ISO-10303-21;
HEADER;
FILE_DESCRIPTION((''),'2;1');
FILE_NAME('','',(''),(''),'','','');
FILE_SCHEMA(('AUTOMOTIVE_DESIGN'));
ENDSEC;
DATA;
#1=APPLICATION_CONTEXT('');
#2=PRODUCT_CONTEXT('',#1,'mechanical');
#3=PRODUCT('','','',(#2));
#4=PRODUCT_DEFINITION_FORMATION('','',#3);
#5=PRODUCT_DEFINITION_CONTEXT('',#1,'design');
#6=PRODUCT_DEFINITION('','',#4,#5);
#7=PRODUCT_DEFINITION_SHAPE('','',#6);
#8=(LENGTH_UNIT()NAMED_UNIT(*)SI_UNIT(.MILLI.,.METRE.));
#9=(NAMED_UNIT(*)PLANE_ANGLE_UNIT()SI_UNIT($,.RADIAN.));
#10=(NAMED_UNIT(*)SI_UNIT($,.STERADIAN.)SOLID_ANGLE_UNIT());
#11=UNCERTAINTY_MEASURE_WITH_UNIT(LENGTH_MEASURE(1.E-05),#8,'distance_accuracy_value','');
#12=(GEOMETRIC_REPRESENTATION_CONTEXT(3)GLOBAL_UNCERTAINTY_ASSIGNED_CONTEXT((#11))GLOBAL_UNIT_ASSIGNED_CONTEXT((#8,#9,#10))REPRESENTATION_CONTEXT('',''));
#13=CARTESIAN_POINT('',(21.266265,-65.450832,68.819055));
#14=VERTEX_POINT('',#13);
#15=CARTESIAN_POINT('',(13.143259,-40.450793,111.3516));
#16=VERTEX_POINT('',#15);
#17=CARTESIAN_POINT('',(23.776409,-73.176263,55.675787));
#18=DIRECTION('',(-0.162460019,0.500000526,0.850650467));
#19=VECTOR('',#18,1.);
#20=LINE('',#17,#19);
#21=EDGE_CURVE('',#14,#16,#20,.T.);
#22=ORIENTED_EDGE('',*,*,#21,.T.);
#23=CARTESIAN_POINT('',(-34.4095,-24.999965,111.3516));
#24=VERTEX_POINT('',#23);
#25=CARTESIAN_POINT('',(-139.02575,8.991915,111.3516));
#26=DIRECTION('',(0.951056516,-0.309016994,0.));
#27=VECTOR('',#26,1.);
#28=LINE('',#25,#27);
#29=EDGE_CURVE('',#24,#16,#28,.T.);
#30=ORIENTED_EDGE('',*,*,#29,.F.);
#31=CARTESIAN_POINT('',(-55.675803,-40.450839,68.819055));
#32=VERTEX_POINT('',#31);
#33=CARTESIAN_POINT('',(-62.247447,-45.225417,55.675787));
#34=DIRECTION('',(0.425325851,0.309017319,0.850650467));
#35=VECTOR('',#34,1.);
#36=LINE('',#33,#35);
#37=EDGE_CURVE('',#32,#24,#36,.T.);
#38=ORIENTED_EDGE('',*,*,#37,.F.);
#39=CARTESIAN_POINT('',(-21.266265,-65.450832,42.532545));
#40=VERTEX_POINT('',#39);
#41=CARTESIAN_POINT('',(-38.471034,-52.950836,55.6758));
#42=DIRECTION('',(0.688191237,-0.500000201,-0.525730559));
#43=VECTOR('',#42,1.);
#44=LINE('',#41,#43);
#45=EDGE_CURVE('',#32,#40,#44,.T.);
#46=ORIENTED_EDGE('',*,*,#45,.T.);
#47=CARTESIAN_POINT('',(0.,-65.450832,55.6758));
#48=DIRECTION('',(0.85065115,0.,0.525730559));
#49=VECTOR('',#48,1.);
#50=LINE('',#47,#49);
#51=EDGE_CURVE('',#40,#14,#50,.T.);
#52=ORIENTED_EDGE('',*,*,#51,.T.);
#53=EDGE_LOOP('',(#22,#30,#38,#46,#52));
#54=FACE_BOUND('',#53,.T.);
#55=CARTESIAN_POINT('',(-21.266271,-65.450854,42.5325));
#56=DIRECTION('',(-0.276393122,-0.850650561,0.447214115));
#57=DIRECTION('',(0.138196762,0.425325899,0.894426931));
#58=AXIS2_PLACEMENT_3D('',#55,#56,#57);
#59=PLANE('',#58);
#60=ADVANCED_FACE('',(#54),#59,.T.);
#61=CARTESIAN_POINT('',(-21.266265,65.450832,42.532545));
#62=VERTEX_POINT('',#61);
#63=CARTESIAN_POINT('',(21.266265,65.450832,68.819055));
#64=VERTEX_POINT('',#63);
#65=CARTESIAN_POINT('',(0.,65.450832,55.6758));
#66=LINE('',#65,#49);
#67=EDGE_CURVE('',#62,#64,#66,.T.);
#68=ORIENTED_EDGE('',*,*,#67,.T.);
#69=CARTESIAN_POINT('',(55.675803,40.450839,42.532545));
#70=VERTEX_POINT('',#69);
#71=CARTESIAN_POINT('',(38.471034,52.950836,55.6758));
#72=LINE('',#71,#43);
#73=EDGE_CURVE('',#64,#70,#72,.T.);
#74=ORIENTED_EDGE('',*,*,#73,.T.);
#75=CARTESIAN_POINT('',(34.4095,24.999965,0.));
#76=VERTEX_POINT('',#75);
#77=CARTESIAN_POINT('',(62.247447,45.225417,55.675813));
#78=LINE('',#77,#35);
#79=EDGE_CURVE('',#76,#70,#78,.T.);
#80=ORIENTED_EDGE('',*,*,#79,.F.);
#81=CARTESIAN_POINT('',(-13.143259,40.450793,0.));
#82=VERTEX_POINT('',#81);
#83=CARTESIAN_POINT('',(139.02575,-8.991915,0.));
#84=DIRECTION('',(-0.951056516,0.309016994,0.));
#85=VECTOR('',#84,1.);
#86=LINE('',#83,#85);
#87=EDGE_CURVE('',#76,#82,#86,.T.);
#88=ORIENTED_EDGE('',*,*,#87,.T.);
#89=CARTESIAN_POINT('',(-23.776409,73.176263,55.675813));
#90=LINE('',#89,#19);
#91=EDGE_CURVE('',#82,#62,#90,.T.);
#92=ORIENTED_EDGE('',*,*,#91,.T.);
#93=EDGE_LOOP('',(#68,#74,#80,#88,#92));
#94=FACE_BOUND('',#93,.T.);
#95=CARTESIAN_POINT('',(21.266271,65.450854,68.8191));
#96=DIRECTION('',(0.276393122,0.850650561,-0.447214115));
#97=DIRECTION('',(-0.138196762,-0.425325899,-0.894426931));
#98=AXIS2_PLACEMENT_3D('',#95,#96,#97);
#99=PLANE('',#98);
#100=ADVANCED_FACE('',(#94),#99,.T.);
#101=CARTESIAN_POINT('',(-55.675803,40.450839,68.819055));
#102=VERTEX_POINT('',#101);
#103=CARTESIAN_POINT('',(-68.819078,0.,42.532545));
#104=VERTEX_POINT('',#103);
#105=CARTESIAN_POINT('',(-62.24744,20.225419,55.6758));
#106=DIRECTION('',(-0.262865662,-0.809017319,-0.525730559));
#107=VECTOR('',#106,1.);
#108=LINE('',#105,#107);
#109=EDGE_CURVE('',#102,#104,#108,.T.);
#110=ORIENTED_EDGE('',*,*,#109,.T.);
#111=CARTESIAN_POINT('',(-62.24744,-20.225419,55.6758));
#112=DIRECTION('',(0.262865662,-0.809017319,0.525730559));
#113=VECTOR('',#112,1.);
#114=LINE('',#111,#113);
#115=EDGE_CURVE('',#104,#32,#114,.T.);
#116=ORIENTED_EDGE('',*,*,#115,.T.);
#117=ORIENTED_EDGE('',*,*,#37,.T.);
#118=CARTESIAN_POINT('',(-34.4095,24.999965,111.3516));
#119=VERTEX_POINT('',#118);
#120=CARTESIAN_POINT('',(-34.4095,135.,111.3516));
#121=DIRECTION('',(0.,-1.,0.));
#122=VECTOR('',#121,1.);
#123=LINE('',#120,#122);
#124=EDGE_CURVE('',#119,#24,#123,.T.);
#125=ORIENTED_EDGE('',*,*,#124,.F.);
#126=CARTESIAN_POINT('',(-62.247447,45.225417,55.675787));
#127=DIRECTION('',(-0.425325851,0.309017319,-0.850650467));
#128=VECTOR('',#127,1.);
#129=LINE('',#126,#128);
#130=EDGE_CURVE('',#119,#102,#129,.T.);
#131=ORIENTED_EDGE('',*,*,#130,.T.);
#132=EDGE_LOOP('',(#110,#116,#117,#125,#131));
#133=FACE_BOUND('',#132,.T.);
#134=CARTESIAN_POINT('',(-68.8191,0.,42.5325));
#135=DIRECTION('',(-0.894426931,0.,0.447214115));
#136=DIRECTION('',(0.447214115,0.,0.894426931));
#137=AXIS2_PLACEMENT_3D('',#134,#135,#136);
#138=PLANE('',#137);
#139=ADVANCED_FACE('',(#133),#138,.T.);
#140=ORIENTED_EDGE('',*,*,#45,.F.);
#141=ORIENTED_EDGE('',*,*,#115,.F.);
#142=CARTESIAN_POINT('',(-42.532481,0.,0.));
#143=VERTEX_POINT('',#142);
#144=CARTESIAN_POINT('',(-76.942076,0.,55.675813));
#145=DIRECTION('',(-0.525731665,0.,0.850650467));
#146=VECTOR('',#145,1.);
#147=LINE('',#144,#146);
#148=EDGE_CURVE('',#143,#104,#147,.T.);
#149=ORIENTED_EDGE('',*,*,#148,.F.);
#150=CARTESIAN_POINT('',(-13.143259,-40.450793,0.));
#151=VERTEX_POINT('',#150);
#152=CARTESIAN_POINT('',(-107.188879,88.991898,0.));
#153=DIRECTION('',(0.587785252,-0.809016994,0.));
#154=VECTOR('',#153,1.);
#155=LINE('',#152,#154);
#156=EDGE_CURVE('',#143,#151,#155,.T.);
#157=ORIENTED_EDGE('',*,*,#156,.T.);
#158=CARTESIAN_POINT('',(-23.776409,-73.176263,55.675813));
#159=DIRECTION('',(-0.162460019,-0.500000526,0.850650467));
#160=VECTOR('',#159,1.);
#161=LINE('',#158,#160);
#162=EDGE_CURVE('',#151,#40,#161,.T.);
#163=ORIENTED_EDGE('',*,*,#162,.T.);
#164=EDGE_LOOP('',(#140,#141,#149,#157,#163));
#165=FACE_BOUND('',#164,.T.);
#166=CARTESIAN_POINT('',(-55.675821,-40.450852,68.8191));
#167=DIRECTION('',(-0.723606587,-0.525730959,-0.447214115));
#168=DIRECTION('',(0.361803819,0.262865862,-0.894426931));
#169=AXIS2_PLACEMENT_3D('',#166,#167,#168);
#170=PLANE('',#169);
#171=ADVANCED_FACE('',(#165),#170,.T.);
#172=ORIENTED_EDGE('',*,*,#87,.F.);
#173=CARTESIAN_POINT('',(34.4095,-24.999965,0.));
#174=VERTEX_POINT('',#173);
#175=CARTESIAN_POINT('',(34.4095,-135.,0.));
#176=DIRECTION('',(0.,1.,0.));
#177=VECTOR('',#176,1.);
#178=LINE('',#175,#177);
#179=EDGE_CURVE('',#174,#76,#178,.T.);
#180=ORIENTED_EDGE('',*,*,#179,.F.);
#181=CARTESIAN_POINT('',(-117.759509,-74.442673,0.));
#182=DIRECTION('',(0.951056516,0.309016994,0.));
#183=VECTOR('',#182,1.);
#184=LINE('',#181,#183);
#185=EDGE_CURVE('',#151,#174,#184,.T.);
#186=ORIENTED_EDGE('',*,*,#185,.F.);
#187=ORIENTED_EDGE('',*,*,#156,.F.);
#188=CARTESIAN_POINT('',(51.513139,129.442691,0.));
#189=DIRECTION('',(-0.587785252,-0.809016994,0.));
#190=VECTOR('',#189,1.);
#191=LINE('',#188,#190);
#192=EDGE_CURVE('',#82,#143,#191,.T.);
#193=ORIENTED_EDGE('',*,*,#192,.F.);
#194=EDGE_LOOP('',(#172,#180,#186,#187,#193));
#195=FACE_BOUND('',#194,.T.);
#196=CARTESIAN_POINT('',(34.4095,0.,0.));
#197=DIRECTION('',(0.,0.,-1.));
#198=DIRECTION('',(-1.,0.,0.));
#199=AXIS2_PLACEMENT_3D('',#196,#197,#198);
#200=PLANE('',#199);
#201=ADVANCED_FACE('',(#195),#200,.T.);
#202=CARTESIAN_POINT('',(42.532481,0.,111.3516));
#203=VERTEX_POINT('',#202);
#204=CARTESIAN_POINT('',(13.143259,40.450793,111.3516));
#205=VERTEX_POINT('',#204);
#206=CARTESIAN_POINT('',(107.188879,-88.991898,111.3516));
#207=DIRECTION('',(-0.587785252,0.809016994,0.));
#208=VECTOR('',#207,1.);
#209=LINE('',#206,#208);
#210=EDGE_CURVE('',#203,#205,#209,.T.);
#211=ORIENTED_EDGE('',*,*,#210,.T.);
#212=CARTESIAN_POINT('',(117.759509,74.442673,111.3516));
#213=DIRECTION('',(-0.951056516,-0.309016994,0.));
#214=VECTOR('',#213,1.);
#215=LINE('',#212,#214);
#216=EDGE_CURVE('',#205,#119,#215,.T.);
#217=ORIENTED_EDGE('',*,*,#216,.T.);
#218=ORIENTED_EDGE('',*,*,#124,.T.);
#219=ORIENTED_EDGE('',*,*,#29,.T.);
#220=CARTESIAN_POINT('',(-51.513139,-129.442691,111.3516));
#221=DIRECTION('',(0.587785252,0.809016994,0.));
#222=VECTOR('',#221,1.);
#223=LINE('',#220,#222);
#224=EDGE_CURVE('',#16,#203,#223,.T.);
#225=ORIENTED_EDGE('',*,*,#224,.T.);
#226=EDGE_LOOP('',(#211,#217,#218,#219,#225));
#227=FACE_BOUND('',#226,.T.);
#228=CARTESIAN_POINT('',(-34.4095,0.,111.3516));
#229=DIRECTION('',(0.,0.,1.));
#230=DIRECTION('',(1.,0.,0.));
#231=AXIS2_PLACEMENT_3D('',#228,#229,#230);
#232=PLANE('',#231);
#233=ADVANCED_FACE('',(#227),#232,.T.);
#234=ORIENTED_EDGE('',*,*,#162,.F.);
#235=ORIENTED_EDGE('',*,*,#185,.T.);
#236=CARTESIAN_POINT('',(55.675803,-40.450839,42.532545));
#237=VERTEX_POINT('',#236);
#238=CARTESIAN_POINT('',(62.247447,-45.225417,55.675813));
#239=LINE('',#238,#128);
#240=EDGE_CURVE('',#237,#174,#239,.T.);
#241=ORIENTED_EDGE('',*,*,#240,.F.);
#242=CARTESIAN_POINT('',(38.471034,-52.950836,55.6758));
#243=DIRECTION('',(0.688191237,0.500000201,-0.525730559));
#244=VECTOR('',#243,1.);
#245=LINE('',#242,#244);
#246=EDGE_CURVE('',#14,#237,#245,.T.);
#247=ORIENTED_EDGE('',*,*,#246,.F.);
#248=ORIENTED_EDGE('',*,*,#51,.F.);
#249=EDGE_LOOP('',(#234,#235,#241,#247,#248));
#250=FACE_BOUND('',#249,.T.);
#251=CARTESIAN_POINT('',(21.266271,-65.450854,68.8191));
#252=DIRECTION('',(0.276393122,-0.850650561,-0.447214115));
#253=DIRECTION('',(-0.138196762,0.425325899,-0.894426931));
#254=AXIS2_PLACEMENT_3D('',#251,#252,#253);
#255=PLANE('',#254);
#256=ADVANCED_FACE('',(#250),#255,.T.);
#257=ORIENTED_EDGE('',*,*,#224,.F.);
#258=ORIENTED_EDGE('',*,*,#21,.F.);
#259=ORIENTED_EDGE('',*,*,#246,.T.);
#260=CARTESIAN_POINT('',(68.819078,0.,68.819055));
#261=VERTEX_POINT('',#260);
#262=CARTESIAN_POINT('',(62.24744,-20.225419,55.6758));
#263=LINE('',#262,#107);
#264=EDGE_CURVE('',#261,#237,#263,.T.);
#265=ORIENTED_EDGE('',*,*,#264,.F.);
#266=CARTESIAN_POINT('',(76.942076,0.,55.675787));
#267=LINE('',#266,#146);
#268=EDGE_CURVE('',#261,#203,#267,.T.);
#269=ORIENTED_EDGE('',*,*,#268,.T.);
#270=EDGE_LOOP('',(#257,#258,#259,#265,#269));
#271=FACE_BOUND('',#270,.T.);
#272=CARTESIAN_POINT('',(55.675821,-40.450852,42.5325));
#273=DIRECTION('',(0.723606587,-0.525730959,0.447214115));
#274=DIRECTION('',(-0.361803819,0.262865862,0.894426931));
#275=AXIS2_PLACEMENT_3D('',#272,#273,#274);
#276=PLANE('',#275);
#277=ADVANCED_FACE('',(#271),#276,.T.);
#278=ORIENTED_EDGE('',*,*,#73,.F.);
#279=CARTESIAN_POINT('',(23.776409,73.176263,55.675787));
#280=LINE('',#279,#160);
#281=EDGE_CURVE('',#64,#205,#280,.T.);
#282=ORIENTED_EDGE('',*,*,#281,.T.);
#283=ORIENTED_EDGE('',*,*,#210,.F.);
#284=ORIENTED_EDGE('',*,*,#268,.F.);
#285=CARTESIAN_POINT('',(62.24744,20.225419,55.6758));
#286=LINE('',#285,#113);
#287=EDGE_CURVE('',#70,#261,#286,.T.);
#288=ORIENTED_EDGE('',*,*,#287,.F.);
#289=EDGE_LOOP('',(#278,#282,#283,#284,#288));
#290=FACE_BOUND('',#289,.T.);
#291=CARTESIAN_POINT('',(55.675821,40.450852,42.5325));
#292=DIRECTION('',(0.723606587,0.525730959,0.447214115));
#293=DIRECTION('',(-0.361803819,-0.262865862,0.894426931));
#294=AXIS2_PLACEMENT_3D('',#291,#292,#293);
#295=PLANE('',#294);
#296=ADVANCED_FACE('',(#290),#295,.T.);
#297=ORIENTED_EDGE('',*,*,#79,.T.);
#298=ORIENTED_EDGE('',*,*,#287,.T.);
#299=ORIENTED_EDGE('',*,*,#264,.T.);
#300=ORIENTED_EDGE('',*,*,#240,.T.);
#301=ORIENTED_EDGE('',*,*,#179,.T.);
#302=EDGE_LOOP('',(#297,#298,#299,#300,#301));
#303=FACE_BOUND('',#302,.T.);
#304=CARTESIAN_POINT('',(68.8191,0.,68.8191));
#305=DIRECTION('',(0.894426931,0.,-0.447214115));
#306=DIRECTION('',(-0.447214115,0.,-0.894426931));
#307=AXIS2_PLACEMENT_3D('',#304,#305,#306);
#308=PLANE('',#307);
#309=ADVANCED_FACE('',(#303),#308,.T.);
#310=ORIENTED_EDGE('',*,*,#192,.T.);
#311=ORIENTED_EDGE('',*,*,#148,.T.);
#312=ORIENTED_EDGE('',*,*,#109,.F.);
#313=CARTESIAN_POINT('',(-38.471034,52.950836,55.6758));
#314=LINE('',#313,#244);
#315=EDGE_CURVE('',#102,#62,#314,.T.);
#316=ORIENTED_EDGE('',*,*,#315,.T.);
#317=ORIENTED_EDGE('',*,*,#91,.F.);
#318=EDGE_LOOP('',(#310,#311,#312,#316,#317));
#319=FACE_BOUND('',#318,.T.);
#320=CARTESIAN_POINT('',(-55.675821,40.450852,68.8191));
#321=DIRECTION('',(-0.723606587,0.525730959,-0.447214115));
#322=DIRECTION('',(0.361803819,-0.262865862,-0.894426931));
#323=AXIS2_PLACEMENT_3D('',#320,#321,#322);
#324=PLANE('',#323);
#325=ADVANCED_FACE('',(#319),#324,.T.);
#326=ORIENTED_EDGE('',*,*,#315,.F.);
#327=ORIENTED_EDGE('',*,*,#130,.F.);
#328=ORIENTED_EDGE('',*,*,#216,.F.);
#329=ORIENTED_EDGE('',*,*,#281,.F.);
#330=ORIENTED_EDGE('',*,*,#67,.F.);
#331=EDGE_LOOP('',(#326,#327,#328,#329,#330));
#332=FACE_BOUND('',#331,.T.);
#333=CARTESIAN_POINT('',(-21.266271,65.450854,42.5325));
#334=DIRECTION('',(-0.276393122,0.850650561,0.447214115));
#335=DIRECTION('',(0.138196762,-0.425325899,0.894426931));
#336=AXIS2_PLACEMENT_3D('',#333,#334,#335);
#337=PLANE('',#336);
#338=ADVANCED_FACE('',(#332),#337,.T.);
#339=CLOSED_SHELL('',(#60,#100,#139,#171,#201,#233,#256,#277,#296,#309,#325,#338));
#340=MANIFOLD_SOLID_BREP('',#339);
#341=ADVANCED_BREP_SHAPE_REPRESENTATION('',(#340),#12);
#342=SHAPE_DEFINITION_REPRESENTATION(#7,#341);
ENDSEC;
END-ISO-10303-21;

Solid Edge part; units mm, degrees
sketch "Sketch1" plane through (0, 0, 0) normal (0, -1, 0) x (1, 0, 0)
  line L0 (0, -14.3871) -> (0, 125.7387)
  arc A0 (0, 125.7387) -> (0, -14.3871) centre (0, 55.6758) cw
revolve "RevolvedProtrusion1" add sketch "Sketch1" angle 360 about axis through (0, 0, -14.3871) along (0, 0, 1)
sketch "Sketch2" plane through (0, 0, 0) normal (0, -1, 0) x (1, 0, 0)
  line L0 (-34.4095, 111.3516) -> (42.5325, 111.3516)
  line L1 (42.5325, 111.3516) -> (68.8191, 68.8191)
  line L2 (68.8191, 68.8191) -> (34.4095, 0)
  line L3 (34.4095, 0) -> (-42.5325, 0)
  line L4 (-42.5325, 0) -> (-68.8191, 42.5325)
  line L5 (-68.8191, 42.5325) -> (-34.4095, 111.3516)
extrude "Cutout1" cut sketch "Sketch2" along normal mid plane 270 flip side to cut
pattern_circular "Pattern1" count 5 over 360 about axis through (0, 0, 111.3516) along (0, 0, 1) of "Cutout1"
